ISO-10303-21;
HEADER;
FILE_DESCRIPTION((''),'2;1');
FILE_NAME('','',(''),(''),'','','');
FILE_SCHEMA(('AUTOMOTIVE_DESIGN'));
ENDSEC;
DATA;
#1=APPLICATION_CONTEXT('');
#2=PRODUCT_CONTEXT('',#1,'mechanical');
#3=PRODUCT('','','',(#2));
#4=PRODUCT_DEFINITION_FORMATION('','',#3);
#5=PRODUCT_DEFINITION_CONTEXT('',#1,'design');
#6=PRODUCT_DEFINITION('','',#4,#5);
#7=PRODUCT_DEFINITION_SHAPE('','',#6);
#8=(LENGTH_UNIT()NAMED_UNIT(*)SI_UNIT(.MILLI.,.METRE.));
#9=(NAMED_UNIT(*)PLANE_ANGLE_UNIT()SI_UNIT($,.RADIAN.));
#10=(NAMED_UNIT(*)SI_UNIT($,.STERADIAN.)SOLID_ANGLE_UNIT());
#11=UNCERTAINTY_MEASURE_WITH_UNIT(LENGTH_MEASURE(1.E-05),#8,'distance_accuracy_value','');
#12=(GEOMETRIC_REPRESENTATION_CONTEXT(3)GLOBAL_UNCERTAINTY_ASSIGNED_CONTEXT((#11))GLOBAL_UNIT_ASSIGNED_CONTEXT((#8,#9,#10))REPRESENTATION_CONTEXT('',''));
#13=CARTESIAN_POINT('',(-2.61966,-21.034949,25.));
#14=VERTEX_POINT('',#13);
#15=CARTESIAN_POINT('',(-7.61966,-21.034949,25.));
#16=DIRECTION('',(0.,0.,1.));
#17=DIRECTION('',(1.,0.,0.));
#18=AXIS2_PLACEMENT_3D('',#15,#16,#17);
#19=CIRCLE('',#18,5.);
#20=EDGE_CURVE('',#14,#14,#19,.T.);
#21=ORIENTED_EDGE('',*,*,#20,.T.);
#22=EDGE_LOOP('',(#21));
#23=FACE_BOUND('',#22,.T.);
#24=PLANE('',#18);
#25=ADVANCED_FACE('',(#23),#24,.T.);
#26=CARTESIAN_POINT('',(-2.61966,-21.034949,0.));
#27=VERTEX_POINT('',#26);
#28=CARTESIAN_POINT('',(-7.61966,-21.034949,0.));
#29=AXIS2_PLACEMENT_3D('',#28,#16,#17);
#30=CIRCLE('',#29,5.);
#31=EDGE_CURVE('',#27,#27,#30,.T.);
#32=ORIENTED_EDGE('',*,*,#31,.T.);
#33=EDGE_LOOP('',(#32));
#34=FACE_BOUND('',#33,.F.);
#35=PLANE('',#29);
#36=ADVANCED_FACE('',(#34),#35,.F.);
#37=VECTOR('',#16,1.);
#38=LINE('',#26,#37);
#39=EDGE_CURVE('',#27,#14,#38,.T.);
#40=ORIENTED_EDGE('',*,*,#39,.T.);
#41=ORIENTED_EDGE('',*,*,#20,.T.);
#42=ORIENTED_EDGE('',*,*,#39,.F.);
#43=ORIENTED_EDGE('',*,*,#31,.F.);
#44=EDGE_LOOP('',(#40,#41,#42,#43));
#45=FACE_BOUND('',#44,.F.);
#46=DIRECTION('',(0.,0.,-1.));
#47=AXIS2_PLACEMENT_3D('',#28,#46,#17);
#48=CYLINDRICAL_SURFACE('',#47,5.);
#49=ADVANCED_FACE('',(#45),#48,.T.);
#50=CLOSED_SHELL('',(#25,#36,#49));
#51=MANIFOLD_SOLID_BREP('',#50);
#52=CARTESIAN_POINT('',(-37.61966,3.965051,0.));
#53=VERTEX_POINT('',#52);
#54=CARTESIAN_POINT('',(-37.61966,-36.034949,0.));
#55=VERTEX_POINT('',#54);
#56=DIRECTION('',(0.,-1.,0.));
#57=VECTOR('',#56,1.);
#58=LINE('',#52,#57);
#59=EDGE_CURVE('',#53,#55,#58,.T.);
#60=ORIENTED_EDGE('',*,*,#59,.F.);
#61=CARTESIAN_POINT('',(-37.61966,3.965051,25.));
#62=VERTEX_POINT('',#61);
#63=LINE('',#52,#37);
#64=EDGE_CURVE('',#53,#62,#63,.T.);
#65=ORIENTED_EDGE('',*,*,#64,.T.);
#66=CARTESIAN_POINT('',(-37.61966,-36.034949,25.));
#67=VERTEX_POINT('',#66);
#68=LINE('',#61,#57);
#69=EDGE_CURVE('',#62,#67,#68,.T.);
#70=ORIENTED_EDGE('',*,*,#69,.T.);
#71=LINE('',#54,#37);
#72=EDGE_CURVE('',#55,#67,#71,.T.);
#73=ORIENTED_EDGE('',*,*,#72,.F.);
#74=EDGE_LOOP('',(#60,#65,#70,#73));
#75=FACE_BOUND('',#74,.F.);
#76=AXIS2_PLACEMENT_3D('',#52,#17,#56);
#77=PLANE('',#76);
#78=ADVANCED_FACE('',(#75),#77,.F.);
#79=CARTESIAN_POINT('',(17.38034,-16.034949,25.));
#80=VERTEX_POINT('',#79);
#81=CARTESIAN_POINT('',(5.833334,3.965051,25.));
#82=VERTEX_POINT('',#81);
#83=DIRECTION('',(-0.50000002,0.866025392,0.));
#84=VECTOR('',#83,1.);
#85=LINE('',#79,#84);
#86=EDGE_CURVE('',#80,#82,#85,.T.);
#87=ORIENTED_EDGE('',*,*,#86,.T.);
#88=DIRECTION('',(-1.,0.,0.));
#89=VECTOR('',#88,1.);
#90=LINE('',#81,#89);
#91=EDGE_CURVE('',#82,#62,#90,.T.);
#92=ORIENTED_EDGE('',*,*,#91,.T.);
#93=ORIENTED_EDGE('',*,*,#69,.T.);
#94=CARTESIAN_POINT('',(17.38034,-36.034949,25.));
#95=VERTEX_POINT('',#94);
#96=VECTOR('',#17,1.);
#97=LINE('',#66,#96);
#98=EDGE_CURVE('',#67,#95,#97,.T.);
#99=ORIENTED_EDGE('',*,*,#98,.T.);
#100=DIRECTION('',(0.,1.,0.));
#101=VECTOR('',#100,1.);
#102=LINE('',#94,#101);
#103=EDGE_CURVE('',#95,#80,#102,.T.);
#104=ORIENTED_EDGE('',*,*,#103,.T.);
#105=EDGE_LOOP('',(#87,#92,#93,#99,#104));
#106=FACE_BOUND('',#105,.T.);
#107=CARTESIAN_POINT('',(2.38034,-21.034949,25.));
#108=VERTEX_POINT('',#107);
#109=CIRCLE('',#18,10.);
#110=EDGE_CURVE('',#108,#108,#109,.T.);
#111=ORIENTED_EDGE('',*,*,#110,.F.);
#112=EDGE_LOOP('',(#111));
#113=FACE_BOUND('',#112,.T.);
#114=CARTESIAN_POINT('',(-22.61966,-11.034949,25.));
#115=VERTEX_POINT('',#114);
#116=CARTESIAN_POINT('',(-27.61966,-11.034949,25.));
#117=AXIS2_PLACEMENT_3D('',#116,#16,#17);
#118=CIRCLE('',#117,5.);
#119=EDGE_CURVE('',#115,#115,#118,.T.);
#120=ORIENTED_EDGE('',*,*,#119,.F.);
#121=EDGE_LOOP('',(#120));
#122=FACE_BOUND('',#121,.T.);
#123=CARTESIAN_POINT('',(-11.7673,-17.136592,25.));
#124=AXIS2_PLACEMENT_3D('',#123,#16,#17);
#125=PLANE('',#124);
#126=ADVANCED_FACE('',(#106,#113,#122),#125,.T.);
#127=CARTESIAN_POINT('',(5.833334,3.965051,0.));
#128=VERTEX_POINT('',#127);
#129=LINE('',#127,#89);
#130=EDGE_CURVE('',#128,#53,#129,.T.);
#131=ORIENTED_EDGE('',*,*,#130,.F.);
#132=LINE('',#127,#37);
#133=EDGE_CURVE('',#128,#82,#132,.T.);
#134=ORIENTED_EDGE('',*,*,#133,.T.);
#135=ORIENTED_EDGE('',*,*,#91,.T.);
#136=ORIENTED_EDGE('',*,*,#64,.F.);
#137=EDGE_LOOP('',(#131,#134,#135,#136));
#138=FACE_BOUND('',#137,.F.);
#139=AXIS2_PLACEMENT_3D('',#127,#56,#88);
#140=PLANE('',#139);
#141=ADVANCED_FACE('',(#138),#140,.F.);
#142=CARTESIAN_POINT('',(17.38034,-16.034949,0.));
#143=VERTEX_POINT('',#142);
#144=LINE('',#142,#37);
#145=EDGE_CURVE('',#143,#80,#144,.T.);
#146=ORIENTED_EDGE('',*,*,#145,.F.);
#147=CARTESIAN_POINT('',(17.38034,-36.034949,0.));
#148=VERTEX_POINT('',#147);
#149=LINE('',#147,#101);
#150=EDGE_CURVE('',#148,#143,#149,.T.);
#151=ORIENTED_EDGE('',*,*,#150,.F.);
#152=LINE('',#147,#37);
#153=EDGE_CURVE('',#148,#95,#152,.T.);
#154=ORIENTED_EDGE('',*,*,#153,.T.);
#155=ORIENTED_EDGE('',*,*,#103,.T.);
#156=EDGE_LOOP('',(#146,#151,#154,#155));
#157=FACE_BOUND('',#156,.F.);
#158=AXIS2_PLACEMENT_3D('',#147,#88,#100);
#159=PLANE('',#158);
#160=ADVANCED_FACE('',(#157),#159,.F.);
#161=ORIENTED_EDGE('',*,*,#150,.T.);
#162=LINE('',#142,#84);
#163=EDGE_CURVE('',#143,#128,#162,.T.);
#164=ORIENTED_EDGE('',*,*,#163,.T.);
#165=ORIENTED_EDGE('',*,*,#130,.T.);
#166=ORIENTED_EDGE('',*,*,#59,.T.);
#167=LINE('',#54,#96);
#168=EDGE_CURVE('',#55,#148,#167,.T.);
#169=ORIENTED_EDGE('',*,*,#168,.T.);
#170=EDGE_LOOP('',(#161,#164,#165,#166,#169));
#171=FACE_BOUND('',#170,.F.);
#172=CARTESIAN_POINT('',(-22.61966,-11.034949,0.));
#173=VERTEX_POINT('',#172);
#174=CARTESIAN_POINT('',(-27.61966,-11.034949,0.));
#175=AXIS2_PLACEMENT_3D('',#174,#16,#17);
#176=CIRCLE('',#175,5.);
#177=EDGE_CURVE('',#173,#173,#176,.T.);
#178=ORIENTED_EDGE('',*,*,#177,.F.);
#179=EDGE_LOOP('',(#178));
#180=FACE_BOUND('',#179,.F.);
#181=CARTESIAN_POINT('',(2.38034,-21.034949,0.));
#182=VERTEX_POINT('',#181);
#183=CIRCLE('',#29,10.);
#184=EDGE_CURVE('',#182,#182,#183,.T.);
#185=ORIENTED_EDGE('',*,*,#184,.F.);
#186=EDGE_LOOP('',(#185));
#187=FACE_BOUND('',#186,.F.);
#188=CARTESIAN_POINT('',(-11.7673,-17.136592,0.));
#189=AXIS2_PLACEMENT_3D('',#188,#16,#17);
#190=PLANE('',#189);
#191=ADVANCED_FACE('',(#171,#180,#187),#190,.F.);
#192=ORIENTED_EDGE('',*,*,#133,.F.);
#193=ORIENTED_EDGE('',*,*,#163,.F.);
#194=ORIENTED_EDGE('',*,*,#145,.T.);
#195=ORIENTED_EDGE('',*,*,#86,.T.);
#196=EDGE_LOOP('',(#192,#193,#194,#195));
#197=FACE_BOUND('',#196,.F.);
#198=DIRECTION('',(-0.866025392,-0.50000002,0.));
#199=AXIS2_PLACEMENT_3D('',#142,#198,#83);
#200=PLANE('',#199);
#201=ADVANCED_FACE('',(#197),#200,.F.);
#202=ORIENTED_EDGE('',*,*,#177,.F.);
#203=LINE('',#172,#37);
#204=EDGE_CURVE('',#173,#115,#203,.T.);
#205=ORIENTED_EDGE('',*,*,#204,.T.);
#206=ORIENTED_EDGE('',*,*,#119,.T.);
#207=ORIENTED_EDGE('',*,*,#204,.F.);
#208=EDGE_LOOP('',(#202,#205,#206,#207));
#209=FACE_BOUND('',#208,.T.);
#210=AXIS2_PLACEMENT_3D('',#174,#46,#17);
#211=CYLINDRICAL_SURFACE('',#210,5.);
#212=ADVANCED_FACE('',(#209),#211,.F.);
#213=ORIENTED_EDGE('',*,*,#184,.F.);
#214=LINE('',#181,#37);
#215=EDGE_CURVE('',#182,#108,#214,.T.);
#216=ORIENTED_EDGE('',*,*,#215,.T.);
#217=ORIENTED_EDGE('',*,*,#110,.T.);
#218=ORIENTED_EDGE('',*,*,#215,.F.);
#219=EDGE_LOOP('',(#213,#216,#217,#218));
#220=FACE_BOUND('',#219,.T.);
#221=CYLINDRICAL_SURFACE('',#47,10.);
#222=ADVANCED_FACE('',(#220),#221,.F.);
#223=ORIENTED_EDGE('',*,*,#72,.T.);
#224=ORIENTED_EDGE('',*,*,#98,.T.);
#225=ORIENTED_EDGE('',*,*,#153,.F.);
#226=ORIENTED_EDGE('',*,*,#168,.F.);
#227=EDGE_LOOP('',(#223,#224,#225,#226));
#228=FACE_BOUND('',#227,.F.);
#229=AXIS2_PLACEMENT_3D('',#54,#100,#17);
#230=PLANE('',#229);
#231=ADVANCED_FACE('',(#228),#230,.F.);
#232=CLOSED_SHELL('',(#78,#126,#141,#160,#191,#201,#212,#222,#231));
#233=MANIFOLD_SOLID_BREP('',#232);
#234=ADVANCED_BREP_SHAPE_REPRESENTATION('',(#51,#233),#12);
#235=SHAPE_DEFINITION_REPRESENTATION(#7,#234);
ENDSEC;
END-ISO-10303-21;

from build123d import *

# Parameters (mm, degrees)
F0_R     = 10
F0_R_2   = 5
F1_DEPTH = 25


with BuildPart() as f1:
    # F0 (on Top) → F1 (new body)
    with BuildSketch(Plane.XY):
        Polygon((-37.61966, 3.965051), (-37.61966, -36.034949), (17.38034, -36.034949), (17.38034, -16.034949), (5.833334, 3.965051), align=None)
        with Locations((-7.61966, -21.034949)):
            Circle(F0_R, mode=Mode.SUBTRACT)
        with Locations((-27.61966, -11.034949)):
            Circle(F0_R_2, mode=Mode.SUBTRACT)
        with Locations((-7.61966, -21.034949)):
            Circle(F0_R_2)
    extrude(amount=F1_DEPTH)


solid = f1.part
